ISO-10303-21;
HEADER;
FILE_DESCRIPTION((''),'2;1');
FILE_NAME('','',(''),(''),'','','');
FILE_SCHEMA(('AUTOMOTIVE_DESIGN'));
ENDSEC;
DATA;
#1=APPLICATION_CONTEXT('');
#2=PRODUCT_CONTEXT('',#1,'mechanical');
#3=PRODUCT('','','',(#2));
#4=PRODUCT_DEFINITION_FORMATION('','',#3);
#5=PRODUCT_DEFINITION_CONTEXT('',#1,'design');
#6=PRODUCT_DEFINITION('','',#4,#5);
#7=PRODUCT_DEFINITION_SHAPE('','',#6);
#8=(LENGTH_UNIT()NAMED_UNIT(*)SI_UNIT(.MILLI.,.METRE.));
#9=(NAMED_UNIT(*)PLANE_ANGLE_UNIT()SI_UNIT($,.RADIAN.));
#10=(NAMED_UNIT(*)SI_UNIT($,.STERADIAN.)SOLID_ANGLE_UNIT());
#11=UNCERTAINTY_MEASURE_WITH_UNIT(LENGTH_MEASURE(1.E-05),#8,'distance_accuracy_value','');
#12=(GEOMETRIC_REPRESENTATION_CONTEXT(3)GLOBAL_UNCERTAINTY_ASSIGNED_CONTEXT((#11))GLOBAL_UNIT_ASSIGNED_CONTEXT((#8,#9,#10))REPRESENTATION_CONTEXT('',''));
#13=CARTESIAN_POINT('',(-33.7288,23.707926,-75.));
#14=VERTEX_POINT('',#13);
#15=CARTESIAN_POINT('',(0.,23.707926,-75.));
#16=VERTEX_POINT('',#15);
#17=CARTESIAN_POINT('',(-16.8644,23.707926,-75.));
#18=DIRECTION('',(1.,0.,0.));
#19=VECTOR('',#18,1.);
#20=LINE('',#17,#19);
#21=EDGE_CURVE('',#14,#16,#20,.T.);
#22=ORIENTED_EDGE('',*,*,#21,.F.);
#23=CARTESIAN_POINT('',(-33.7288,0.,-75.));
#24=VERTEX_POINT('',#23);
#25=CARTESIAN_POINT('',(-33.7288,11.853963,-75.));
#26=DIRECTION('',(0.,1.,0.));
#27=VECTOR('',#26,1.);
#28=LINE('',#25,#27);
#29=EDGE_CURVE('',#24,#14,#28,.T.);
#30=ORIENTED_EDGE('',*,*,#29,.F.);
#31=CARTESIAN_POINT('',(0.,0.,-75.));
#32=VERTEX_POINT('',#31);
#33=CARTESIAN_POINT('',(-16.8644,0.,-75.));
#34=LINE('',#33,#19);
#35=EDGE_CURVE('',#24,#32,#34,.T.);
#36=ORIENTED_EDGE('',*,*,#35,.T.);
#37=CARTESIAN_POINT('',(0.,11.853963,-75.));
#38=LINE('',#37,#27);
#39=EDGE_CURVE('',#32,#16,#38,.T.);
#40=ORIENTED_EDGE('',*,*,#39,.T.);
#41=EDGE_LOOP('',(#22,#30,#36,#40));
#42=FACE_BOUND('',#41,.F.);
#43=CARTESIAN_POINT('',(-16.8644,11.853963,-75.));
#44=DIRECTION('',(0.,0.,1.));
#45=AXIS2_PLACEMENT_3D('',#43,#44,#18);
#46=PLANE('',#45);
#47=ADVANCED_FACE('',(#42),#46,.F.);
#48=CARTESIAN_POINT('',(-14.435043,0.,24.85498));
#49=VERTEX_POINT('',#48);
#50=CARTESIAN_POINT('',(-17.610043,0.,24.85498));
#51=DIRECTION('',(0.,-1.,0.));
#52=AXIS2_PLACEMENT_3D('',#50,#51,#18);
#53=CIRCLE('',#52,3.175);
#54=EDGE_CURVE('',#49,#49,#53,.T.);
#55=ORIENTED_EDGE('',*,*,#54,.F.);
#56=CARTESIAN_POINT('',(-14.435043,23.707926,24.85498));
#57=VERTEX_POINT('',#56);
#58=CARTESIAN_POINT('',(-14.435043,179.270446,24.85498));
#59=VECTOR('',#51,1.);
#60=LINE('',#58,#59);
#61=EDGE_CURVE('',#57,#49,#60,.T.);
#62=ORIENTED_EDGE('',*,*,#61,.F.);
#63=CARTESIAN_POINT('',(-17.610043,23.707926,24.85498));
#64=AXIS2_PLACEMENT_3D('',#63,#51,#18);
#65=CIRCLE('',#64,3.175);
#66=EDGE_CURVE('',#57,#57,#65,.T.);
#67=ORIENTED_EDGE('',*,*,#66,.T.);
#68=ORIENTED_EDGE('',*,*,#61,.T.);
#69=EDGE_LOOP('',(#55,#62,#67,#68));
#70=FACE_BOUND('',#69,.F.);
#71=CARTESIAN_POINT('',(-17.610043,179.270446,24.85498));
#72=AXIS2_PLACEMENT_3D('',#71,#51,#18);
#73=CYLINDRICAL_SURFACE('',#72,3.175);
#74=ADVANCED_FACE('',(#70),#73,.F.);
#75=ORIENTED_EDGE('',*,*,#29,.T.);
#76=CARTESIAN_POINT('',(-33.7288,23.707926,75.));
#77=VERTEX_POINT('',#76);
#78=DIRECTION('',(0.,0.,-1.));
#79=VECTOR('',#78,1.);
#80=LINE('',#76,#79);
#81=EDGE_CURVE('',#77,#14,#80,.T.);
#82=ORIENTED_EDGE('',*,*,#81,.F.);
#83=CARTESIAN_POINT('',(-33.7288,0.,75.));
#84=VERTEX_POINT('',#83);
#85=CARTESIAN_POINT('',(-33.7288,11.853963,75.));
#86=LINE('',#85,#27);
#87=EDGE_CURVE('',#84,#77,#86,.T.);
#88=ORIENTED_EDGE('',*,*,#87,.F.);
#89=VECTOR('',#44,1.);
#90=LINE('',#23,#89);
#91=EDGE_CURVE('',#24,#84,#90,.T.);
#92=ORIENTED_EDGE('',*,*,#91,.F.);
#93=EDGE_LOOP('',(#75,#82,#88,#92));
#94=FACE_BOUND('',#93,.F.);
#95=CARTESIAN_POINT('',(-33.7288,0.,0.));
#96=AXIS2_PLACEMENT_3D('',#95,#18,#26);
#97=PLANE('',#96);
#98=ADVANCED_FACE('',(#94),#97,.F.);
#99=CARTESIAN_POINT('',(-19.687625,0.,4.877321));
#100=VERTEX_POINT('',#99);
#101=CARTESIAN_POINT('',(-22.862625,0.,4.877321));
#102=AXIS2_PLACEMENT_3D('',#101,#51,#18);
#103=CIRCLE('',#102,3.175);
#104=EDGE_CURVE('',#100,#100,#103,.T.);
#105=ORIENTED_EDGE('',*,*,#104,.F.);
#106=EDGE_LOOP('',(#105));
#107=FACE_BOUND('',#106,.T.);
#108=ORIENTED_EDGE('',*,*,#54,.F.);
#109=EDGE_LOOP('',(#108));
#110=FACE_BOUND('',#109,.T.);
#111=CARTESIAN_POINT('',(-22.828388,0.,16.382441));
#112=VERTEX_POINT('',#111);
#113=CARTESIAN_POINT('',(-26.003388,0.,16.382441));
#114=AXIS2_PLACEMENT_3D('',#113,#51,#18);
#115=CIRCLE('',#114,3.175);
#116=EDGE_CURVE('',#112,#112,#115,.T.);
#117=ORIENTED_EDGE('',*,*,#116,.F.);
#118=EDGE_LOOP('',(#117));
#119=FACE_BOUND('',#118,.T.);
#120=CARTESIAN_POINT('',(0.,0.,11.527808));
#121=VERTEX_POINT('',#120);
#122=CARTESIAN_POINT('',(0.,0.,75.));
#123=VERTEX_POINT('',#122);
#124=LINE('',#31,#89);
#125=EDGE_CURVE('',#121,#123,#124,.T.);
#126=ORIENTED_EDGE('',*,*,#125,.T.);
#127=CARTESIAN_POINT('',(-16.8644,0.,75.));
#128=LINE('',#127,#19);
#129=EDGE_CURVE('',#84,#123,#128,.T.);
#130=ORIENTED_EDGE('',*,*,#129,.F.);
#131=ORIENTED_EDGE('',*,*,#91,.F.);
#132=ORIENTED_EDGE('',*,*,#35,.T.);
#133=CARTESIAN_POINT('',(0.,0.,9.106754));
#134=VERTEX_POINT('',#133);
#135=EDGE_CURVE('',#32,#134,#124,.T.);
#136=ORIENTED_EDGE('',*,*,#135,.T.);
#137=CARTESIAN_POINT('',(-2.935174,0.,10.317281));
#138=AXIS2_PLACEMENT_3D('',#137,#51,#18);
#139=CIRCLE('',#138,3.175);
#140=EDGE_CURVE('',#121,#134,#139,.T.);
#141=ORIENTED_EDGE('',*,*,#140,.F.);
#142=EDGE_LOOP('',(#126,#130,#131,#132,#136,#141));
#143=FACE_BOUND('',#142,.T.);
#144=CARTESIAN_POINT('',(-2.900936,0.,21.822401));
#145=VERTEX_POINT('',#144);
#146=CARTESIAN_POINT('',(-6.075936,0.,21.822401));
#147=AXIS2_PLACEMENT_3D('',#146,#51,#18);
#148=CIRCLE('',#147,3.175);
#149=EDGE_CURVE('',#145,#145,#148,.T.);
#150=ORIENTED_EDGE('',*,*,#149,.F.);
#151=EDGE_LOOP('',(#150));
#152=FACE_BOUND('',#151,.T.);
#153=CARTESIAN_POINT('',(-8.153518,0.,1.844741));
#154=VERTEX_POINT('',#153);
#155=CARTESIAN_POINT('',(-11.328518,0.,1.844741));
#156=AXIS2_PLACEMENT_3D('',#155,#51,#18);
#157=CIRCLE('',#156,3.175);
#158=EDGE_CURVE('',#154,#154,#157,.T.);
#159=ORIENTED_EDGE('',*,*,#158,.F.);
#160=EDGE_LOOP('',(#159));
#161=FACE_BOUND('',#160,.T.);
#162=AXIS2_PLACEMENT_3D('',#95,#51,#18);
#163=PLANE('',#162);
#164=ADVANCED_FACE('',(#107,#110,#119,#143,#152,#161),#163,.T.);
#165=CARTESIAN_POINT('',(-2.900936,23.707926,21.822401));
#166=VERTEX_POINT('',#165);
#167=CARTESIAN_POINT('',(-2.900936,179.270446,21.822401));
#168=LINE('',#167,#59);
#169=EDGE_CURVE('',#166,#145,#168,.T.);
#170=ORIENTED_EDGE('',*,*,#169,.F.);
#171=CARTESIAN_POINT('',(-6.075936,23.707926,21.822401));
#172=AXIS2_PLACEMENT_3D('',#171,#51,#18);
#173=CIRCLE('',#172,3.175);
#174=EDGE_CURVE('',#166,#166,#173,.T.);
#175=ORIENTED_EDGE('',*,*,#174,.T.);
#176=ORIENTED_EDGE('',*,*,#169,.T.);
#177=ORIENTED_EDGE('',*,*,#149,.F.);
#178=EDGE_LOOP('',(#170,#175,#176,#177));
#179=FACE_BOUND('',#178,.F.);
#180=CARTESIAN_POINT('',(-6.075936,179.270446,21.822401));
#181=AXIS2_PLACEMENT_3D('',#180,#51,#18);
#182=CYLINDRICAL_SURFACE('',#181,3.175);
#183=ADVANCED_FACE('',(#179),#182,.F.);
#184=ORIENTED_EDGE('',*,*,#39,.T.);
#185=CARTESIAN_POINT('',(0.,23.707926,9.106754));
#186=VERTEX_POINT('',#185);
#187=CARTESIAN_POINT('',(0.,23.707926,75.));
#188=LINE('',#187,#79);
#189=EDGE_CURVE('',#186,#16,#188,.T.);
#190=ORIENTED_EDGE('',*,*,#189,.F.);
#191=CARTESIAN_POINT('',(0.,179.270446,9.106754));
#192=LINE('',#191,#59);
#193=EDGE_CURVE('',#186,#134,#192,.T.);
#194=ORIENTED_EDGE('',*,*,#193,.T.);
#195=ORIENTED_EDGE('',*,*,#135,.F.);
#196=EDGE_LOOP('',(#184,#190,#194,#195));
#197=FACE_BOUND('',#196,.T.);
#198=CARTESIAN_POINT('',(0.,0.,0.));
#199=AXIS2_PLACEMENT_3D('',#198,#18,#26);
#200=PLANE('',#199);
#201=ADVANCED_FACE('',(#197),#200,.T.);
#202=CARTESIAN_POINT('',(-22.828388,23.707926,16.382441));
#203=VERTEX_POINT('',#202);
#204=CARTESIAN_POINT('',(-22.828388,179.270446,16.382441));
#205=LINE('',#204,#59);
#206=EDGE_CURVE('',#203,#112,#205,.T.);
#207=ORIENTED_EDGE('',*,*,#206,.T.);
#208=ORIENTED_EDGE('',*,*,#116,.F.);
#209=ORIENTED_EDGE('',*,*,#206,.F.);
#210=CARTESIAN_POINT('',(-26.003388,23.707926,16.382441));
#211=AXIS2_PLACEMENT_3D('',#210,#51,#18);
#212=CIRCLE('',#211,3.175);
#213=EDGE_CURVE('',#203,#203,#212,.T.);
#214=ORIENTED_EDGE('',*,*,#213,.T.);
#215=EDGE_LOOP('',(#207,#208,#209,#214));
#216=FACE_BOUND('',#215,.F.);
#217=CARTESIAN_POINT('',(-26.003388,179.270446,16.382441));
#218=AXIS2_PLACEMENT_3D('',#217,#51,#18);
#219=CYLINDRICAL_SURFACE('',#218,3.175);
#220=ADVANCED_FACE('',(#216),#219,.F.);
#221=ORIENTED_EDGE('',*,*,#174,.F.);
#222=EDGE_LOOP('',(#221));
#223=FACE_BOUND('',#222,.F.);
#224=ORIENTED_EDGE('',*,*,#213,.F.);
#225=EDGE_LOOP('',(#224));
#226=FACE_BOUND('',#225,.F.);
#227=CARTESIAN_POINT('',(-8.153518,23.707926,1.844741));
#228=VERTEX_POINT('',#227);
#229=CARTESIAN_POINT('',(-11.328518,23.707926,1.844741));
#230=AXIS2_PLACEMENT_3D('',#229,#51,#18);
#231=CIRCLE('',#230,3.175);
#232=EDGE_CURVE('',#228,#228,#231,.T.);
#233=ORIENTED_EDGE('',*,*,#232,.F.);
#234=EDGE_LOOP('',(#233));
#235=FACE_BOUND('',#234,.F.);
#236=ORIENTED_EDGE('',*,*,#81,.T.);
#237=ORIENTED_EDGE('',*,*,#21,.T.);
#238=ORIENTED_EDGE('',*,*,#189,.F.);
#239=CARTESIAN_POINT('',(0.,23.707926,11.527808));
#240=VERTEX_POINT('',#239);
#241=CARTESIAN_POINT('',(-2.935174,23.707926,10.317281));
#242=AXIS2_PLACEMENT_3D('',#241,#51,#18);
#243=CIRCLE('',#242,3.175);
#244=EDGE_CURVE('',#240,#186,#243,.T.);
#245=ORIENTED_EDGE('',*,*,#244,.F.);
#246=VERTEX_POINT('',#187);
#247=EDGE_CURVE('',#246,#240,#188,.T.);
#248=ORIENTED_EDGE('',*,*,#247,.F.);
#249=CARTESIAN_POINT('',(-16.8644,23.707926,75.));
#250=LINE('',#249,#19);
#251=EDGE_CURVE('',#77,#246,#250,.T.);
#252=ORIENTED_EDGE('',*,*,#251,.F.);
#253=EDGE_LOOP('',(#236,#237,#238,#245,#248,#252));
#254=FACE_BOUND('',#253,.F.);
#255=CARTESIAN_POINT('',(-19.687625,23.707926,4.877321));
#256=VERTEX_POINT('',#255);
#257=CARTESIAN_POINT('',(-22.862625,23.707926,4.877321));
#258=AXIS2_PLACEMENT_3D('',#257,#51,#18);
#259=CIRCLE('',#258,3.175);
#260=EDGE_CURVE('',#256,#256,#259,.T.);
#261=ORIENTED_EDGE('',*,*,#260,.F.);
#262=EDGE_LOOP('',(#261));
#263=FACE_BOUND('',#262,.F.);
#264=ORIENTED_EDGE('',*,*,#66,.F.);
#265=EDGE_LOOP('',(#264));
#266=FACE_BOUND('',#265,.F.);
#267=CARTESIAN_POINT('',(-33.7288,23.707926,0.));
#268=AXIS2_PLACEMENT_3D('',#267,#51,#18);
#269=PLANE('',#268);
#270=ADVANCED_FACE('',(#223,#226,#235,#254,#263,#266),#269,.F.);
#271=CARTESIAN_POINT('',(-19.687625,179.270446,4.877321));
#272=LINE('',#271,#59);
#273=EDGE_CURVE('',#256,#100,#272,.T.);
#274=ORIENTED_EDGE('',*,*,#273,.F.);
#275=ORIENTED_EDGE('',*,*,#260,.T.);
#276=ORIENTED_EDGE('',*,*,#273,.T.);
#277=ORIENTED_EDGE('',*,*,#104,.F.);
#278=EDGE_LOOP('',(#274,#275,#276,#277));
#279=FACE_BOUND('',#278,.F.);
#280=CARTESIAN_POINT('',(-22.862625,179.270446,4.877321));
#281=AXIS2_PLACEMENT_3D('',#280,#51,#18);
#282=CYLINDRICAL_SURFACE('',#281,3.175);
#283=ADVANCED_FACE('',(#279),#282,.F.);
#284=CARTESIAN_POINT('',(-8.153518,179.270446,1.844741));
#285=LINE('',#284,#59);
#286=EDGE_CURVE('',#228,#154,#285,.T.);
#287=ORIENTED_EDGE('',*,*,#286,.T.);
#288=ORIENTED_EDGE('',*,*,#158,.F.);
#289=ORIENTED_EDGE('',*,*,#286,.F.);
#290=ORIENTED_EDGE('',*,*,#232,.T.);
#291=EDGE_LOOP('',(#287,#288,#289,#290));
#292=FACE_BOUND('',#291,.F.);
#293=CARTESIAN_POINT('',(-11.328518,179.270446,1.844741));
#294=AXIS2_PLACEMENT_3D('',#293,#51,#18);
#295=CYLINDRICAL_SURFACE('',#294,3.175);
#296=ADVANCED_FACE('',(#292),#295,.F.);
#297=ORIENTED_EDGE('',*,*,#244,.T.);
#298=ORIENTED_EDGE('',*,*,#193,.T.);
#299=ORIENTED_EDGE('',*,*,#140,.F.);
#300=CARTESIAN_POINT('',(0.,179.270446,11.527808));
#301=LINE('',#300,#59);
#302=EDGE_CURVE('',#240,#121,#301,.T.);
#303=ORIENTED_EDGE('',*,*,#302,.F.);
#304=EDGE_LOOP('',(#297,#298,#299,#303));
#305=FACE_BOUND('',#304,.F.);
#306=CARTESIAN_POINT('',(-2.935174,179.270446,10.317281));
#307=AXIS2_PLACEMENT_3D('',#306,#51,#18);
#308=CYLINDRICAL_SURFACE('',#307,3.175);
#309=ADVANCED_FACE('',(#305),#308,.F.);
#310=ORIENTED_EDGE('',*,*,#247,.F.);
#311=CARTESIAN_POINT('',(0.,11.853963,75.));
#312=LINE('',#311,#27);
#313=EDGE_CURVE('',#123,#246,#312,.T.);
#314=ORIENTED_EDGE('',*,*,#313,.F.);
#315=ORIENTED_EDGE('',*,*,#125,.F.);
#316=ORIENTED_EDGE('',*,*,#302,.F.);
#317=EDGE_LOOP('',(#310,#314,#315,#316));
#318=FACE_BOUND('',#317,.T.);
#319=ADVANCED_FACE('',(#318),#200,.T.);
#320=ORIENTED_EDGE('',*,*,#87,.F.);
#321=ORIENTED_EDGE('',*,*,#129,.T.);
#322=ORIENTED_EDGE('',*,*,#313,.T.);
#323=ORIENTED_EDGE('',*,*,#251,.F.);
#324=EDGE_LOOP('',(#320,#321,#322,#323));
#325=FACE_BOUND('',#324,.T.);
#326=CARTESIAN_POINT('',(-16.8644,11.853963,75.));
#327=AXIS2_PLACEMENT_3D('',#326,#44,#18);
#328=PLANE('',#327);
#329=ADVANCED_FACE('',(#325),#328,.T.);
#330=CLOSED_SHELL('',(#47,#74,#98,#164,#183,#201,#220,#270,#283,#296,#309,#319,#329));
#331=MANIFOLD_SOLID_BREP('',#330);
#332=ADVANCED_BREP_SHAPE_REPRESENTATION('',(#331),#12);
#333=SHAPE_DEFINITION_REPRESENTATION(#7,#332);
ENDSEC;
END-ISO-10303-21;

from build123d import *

# Parameters (mm, degrees)
F0_W     = 33.728801
F0_H     = 23.707926
F1_DEPTH = 75
F3_D     = 6.35


with BuildPart() as f1:
    # F0 (on Top) → F1 (new body, symmetric)
    with BuildSketch(Plane.XY):
        with Locations((-16.8644, 11.853963)):
            Rectangle(F0_W, F0_H)
    extrude(amount=F1_DEPTH, both=True)

    # F3 (through all)
    with Locations(Plane(origin=(0, 23.707926, 0), x_dir=(-1, 0, 0), z_dir=(0, 1, 0))):
        with Locations((17.610043, 24.85498), (11.328518, 1.844741), (22.862625, 4.877321), (6.075936, 21.822401), (2.935174, 10.317281), (26.003388, 16.382441)):
            Hole(F3_D / 2)


solid = f1.part
